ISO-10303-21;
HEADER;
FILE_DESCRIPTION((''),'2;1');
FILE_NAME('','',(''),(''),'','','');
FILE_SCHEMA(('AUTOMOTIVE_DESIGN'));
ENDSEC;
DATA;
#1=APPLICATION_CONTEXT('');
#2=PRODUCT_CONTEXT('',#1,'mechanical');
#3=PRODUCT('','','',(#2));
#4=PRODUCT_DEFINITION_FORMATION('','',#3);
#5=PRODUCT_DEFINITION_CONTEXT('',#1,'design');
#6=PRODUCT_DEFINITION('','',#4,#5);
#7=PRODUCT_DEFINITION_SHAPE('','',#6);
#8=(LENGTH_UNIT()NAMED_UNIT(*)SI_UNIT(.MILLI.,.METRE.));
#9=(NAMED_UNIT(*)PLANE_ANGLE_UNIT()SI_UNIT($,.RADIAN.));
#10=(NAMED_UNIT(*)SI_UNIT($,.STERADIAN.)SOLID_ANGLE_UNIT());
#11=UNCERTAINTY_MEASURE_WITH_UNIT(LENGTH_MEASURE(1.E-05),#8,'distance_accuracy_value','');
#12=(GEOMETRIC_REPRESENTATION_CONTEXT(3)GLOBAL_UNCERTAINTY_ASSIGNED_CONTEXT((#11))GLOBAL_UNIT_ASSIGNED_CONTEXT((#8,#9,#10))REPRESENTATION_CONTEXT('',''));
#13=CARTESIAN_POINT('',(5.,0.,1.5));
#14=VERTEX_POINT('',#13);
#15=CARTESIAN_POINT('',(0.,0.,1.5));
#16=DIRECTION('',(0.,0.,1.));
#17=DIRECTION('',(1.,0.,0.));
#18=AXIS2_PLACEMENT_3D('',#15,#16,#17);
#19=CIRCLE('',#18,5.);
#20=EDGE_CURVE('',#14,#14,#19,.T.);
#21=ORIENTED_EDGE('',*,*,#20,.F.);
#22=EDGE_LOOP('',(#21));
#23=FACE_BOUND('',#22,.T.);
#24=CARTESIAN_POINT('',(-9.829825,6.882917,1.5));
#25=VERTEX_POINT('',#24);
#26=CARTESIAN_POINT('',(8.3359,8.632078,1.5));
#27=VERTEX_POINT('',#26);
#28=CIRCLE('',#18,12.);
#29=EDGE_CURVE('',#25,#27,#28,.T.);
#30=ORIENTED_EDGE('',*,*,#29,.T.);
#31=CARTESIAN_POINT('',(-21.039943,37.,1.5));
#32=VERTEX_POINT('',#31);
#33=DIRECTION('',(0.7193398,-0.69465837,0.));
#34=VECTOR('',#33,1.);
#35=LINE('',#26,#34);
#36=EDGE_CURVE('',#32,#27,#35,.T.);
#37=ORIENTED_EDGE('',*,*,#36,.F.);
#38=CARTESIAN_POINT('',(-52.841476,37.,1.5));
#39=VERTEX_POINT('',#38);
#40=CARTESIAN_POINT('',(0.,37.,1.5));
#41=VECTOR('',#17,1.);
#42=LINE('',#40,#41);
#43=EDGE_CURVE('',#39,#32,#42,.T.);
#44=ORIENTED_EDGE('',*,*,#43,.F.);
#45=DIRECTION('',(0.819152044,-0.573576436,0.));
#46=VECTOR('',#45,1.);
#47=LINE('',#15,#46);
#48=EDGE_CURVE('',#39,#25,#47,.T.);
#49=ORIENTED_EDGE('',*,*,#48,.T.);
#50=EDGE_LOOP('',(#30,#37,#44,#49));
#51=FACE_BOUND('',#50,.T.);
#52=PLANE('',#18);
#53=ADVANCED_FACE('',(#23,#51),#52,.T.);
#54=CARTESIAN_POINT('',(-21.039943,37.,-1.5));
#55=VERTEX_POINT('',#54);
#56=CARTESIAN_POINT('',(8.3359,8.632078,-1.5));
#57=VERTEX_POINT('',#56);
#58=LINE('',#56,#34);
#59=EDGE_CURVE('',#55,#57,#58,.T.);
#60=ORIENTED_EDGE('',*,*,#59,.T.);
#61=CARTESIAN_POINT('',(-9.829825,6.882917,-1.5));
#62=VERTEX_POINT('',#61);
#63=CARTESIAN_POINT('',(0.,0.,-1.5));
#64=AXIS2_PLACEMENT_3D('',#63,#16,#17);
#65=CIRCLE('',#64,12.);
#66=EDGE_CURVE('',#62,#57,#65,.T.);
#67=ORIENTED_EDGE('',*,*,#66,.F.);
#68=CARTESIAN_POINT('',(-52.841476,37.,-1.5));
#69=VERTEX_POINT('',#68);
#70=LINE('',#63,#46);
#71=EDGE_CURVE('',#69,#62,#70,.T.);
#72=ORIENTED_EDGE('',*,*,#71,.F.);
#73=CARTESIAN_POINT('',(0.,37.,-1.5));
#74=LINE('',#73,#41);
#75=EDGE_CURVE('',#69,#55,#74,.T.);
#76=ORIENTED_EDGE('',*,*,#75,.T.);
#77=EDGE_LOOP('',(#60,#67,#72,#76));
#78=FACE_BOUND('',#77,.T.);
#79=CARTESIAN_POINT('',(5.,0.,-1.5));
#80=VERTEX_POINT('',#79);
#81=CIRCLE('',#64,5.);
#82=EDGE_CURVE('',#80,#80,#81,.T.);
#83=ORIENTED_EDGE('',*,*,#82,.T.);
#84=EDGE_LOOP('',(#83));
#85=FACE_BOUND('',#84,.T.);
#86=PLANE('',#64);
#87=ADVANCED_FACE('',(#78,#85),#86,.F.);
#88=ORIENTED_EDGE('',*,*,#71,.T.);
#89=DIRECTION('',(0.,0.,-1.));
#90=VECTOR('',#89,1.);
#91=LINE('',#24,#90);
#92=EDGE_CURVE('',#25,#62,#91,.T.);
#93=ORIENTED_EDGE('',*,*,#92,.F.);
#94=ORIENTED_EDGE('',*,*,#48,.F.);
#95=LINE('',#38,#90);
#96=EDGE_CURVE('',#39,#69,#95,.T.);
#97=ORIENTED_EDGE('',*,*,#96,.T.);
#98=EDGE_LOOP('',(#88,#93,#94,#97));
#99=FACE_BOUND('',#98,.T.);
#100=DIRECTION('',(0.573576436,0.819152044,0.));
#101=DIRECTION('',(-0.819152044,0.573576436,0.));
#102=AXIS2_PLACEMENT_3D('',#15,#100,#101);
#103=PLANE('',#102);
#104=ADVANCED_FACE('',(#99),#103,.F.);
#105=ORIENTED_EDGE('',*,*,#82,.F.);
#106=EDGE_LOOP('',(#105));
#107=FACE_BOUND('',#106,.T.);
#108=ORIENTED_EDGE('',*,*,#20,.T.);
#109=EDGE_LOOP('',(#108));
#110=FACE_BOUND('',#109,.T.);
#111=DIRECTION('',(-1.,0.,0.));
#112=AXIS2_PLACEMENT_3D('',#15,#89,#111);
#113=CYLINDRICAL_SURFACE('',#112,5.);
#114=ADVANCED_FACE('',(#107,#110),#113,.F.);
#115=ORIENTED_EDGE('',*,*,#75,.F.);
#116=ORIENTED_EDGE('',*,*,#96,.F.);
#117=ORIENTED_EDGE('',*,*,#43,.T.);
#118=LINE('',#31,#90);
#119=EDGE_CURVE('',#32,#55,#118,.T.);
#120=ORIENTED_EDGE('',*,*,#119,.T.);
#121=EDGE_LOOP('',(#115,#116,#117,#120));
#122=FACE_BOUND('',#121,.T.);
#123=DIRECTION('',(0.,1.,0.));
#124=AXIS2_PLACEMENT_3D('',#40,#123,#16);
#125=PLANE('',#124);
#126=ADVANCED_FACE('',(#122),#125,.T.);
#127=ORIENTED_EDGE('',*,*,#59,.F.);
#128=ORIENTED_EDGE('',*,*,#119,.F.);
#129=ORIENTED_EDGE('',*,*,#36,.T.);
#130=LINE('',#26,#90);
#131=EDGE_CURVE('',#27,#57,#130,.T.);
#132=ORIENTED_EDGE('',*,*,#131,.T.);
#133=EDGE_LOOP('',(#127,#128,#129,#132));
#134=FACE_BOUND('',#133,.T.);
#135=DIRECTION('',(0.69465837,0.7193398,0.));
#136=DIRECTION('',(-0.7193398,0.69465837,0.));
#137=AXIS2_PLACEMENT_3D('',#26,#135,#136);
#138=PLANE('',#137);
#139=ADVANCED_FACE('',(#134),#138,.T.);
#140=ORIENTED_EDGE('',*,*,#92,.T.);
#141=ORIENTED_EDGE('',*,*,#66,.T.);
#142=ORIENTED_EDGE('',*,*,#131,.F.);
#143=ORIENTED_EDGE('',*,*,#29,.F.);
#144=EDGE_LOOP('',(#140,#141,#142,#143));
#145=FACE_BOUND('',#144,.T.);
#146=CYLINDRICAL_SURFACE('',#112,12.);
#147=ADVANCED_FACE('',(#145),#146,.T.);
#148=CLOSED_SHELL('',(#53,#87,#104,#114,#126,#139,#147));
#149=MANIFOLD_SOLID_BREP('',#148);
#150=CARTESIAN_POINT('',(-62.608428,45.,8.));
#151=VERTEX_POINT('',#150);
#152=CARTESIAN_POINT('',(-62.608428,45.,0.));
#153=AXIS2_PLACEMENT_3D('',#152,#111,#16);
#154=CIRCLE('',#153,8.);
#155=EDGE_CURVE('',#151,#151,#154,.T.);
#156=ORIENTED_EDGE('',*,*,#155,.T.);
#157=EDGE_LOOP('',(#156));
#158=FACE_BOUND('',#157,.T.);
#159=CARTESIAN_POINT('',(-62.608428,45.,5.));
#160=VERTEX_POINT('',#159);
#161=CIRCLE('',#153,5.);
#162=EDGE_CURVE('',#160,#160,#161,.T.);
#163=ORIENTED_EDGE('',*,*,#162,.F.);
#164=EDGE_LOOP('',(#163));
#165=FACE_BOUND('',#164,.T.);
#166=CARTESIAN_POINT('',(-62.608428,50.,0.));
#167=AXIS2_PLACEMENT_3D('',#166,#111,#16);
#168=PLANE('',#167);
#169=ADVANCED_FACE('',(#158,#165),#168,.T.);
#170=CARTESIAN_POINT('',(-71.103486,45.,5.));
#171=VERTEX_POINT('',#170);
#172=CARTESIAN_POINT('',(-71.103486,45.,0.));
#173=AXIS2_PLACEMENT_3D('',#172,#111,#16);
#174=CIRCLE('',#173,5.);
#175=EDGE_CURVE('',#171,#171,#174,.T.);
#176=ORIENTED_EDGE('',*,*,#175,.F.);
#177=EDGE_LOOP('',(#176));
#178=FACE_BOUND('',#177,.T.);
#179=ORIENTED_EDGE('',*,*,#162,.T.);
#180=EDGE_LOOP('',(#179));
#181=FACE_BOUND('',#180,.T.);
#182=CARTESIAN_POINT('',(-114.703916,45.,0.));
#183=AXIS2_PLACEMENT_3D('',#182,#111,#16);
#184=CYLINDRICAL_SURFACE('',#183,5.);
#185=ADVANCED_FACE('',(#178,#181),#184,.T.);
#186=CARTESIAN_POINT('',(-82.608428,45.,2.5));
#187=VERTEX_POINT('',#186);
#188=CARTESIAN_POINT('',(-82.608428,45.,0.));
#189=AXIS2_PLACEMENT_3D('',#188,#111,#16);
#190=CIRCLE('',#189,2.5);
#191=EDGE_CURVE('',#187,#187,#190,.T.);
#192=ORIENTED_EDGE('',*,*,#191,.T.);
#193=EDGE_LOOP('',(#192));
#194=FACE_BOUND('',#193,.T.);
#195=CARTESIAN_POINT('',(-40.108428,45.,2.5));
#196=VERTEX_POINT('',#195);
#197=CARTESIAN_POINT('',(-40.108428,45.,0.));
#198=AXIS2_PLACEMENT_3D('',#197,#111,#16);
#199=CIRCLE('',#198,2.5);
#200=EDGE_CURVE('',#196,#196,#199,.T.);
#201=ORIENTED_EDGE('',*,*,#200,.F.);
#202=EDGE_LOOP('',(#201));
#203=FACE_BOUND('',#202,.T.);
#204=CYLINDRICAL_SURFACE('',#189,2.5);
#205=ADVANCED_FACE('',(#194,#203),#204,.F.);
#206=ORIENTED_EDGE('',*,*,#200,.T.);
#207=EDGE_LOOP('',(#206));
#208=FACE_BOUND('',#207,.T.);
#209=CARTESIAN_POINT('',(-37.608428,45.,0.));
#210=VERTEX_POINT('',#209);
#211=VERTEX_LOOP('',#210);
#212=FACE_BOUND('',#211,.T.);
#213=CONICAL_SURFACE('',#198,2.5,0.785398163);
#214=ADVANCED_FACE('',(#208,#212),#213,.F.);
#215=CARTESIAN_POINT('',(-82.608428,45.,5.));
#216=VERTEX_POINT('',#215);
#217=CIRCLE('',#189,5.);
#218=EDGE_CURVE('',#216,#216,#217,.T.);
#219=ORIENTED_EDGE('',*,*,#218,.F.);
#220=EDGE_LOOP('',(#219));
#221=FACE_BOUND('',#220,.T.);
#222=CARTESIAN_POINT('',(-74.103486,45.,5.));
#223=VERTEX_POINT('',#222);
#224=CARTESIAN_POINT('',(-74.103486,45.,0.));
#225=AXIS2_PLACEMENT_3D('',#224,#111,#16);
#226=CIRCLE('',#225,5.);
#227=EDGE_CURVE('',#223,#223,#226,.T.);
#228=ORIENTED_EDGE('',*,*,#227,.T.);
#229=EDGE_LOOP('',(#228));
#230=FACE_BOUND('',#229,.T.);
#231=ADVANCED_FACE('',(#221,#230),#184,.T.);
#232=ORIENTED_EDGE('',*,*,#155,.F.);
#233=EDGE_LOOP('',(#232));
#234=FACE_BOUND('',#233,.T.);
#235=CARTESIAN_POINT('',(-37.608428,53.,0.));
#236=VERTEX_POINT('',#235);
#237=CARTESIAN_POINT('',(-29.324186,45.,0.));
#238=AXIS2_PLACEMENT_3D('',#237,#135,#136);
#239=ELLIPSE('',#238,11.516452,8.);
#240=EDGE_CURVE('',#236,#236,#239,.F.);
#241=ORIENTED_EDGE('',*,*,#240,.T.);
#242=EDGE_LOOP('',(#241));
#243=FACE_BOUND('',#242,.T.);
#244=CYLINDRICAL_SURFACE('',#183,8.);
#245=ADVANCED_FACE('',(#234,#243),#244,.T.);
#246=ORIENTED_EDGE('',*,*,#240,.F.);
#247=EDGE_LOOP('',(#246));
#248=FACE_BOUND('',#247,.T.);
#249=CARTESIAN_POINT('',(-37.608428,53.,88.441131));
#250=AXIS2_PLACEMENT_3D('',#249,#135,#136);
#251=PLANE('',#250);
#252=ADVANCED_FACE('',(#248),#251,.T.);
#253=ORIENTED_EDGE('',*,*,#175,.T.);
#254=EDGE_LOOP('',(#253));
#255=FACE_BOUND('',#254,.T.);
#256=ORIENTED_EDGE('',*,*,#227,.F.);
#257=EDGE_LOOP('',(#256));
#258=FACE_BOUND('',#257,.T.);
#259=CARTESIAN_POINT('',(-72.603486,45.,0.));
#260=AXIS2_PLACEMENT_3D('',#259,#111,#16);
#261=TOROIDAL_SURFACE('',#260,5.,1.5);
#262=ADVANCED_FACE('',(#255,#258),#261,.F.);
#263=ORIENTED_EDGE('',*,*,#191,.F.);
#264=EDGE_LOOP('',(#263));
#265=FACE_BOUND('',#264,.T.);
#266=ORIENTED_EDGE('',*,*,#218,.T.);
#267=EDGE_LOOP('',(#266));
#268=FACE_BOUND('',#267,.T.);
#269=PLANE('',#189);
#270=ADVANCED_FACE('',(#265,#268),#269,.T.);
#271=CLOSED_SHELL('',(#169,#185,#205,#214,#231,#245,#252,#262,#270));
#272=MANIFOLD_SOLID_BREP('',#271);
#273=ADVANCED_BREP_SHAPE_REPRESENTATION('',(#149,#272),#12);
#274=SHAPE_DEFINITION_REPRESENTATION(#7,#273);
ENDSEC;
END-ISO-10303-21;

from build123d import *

# Parameters (mm, degrees)
CUT_EXTRUDE_1_DEPTH      = 99.47412047
CUT_EXTRUDE_1_DEPTH_BACK = 99.47412047
SKETCH_3_R               = 12
SKETCH_3_R_2             = 5
EXTRUDE_1_DEPTH          = 1.5


with BuildPart() as part:
    # 草图1 → 旋转1 (revolve)
    with BuildSketch(Plane.XY, mode=Mode.PRIVATE) as revolve_1_sk:
        with BuildLine():
            Line((-82.608428155, 45), (-82.608428155, 50))
            Line((-82.608428155, 50), (-74.103486012, 50))
            ThreePointArc((-74.103486012, 50), (-72.603486012, 48.5), (-71.103486012, 50))
            Line((-71.103486012, 50), (-62.608428155, 50))
            Line((-62.608428155, 50), (-62.608428155, 53))
            Line((-62.608428155, 53), (-20.871531074, 53))
            Line((-20.871531074, 53), (-20.871531074, 45))
            Line((-20.871531074, 45), (-82.608428155, 45))
        make_face()
    revolve(revolve_1_sk.sketch.rotate(Axis((-114.703915619, 45, 0), (1, 0, 0)), 90), axis=Axis((-114.703915619, 45, 0), (1, 0, 0)))

    # 草图2 → 切除-拉伸1 (cut, two sides: drawn at the far end of the back side and taken through both)
    with BuildSketch(Plane.XY.offset(-CUT_EXTRUDE_1_DEPTH_BACK)):
        Polygon((-190.381582795, 200.531320527), (-37.608428155, 53), (8.335900446, 8.632077604), (161.109055085, -138.899242923), (456.171696139, 166.647066356), (104.681058259, 506.077629806), align=None)
    extrude(amount=CUT_EXTRUDE_1_DEPTH + CUT_EXTRUDE_1_DEPTH_BACK, mode=Mode.SUBTRACT)

    # 草图7 → 大小mm 暗销孔2 (revolve, cut)
    with BuildSketch(Plane(origin=(-82.608428155, 45, 0), x_dir=(0, 0, 1), z_dir=(0, 1, 0))):
        Polygon((0, 0), (0, 45), (2.5, 42.5), (2.5, 0), align=None)
    revolve(axis=Axis((-88.958428155, 45, 0), (1, 0, 0)), mode=Mode.SUBTRACT)


with BuildPart() as body_2:
    # 草图3 → 凸台-拉伸1 (new, symmetric)
    # profile 1 of 2: a face of its own
    with BuildSketch(Plane.XY):
        with BuildLine():
            Line((8.335900446, 8.632077604), (-21.039943135, 37))
            Line((-21.039943135, 37), (-52.841476249, 37))
            Line((-52.841476249, 37), (-9.829824531, 6.882917236))
            ThreePointArc((-9.829824531, 6.882917236), (-1.15014903, 11.94475438), (8.335900446, 8.632077604))
        make_face()
    # profile 2 of 2: a face of its own
    with BuildSketch(Plane.XY):
        Circle(SKETCH_3_R)
        Circle(SKETCH_3_R_2, mode=Mode.SUBTRACT)
    extrude(amount=EXTRUDE_1_DEPTH, both=True)


solid = Compound([part.part, body_2.part])
